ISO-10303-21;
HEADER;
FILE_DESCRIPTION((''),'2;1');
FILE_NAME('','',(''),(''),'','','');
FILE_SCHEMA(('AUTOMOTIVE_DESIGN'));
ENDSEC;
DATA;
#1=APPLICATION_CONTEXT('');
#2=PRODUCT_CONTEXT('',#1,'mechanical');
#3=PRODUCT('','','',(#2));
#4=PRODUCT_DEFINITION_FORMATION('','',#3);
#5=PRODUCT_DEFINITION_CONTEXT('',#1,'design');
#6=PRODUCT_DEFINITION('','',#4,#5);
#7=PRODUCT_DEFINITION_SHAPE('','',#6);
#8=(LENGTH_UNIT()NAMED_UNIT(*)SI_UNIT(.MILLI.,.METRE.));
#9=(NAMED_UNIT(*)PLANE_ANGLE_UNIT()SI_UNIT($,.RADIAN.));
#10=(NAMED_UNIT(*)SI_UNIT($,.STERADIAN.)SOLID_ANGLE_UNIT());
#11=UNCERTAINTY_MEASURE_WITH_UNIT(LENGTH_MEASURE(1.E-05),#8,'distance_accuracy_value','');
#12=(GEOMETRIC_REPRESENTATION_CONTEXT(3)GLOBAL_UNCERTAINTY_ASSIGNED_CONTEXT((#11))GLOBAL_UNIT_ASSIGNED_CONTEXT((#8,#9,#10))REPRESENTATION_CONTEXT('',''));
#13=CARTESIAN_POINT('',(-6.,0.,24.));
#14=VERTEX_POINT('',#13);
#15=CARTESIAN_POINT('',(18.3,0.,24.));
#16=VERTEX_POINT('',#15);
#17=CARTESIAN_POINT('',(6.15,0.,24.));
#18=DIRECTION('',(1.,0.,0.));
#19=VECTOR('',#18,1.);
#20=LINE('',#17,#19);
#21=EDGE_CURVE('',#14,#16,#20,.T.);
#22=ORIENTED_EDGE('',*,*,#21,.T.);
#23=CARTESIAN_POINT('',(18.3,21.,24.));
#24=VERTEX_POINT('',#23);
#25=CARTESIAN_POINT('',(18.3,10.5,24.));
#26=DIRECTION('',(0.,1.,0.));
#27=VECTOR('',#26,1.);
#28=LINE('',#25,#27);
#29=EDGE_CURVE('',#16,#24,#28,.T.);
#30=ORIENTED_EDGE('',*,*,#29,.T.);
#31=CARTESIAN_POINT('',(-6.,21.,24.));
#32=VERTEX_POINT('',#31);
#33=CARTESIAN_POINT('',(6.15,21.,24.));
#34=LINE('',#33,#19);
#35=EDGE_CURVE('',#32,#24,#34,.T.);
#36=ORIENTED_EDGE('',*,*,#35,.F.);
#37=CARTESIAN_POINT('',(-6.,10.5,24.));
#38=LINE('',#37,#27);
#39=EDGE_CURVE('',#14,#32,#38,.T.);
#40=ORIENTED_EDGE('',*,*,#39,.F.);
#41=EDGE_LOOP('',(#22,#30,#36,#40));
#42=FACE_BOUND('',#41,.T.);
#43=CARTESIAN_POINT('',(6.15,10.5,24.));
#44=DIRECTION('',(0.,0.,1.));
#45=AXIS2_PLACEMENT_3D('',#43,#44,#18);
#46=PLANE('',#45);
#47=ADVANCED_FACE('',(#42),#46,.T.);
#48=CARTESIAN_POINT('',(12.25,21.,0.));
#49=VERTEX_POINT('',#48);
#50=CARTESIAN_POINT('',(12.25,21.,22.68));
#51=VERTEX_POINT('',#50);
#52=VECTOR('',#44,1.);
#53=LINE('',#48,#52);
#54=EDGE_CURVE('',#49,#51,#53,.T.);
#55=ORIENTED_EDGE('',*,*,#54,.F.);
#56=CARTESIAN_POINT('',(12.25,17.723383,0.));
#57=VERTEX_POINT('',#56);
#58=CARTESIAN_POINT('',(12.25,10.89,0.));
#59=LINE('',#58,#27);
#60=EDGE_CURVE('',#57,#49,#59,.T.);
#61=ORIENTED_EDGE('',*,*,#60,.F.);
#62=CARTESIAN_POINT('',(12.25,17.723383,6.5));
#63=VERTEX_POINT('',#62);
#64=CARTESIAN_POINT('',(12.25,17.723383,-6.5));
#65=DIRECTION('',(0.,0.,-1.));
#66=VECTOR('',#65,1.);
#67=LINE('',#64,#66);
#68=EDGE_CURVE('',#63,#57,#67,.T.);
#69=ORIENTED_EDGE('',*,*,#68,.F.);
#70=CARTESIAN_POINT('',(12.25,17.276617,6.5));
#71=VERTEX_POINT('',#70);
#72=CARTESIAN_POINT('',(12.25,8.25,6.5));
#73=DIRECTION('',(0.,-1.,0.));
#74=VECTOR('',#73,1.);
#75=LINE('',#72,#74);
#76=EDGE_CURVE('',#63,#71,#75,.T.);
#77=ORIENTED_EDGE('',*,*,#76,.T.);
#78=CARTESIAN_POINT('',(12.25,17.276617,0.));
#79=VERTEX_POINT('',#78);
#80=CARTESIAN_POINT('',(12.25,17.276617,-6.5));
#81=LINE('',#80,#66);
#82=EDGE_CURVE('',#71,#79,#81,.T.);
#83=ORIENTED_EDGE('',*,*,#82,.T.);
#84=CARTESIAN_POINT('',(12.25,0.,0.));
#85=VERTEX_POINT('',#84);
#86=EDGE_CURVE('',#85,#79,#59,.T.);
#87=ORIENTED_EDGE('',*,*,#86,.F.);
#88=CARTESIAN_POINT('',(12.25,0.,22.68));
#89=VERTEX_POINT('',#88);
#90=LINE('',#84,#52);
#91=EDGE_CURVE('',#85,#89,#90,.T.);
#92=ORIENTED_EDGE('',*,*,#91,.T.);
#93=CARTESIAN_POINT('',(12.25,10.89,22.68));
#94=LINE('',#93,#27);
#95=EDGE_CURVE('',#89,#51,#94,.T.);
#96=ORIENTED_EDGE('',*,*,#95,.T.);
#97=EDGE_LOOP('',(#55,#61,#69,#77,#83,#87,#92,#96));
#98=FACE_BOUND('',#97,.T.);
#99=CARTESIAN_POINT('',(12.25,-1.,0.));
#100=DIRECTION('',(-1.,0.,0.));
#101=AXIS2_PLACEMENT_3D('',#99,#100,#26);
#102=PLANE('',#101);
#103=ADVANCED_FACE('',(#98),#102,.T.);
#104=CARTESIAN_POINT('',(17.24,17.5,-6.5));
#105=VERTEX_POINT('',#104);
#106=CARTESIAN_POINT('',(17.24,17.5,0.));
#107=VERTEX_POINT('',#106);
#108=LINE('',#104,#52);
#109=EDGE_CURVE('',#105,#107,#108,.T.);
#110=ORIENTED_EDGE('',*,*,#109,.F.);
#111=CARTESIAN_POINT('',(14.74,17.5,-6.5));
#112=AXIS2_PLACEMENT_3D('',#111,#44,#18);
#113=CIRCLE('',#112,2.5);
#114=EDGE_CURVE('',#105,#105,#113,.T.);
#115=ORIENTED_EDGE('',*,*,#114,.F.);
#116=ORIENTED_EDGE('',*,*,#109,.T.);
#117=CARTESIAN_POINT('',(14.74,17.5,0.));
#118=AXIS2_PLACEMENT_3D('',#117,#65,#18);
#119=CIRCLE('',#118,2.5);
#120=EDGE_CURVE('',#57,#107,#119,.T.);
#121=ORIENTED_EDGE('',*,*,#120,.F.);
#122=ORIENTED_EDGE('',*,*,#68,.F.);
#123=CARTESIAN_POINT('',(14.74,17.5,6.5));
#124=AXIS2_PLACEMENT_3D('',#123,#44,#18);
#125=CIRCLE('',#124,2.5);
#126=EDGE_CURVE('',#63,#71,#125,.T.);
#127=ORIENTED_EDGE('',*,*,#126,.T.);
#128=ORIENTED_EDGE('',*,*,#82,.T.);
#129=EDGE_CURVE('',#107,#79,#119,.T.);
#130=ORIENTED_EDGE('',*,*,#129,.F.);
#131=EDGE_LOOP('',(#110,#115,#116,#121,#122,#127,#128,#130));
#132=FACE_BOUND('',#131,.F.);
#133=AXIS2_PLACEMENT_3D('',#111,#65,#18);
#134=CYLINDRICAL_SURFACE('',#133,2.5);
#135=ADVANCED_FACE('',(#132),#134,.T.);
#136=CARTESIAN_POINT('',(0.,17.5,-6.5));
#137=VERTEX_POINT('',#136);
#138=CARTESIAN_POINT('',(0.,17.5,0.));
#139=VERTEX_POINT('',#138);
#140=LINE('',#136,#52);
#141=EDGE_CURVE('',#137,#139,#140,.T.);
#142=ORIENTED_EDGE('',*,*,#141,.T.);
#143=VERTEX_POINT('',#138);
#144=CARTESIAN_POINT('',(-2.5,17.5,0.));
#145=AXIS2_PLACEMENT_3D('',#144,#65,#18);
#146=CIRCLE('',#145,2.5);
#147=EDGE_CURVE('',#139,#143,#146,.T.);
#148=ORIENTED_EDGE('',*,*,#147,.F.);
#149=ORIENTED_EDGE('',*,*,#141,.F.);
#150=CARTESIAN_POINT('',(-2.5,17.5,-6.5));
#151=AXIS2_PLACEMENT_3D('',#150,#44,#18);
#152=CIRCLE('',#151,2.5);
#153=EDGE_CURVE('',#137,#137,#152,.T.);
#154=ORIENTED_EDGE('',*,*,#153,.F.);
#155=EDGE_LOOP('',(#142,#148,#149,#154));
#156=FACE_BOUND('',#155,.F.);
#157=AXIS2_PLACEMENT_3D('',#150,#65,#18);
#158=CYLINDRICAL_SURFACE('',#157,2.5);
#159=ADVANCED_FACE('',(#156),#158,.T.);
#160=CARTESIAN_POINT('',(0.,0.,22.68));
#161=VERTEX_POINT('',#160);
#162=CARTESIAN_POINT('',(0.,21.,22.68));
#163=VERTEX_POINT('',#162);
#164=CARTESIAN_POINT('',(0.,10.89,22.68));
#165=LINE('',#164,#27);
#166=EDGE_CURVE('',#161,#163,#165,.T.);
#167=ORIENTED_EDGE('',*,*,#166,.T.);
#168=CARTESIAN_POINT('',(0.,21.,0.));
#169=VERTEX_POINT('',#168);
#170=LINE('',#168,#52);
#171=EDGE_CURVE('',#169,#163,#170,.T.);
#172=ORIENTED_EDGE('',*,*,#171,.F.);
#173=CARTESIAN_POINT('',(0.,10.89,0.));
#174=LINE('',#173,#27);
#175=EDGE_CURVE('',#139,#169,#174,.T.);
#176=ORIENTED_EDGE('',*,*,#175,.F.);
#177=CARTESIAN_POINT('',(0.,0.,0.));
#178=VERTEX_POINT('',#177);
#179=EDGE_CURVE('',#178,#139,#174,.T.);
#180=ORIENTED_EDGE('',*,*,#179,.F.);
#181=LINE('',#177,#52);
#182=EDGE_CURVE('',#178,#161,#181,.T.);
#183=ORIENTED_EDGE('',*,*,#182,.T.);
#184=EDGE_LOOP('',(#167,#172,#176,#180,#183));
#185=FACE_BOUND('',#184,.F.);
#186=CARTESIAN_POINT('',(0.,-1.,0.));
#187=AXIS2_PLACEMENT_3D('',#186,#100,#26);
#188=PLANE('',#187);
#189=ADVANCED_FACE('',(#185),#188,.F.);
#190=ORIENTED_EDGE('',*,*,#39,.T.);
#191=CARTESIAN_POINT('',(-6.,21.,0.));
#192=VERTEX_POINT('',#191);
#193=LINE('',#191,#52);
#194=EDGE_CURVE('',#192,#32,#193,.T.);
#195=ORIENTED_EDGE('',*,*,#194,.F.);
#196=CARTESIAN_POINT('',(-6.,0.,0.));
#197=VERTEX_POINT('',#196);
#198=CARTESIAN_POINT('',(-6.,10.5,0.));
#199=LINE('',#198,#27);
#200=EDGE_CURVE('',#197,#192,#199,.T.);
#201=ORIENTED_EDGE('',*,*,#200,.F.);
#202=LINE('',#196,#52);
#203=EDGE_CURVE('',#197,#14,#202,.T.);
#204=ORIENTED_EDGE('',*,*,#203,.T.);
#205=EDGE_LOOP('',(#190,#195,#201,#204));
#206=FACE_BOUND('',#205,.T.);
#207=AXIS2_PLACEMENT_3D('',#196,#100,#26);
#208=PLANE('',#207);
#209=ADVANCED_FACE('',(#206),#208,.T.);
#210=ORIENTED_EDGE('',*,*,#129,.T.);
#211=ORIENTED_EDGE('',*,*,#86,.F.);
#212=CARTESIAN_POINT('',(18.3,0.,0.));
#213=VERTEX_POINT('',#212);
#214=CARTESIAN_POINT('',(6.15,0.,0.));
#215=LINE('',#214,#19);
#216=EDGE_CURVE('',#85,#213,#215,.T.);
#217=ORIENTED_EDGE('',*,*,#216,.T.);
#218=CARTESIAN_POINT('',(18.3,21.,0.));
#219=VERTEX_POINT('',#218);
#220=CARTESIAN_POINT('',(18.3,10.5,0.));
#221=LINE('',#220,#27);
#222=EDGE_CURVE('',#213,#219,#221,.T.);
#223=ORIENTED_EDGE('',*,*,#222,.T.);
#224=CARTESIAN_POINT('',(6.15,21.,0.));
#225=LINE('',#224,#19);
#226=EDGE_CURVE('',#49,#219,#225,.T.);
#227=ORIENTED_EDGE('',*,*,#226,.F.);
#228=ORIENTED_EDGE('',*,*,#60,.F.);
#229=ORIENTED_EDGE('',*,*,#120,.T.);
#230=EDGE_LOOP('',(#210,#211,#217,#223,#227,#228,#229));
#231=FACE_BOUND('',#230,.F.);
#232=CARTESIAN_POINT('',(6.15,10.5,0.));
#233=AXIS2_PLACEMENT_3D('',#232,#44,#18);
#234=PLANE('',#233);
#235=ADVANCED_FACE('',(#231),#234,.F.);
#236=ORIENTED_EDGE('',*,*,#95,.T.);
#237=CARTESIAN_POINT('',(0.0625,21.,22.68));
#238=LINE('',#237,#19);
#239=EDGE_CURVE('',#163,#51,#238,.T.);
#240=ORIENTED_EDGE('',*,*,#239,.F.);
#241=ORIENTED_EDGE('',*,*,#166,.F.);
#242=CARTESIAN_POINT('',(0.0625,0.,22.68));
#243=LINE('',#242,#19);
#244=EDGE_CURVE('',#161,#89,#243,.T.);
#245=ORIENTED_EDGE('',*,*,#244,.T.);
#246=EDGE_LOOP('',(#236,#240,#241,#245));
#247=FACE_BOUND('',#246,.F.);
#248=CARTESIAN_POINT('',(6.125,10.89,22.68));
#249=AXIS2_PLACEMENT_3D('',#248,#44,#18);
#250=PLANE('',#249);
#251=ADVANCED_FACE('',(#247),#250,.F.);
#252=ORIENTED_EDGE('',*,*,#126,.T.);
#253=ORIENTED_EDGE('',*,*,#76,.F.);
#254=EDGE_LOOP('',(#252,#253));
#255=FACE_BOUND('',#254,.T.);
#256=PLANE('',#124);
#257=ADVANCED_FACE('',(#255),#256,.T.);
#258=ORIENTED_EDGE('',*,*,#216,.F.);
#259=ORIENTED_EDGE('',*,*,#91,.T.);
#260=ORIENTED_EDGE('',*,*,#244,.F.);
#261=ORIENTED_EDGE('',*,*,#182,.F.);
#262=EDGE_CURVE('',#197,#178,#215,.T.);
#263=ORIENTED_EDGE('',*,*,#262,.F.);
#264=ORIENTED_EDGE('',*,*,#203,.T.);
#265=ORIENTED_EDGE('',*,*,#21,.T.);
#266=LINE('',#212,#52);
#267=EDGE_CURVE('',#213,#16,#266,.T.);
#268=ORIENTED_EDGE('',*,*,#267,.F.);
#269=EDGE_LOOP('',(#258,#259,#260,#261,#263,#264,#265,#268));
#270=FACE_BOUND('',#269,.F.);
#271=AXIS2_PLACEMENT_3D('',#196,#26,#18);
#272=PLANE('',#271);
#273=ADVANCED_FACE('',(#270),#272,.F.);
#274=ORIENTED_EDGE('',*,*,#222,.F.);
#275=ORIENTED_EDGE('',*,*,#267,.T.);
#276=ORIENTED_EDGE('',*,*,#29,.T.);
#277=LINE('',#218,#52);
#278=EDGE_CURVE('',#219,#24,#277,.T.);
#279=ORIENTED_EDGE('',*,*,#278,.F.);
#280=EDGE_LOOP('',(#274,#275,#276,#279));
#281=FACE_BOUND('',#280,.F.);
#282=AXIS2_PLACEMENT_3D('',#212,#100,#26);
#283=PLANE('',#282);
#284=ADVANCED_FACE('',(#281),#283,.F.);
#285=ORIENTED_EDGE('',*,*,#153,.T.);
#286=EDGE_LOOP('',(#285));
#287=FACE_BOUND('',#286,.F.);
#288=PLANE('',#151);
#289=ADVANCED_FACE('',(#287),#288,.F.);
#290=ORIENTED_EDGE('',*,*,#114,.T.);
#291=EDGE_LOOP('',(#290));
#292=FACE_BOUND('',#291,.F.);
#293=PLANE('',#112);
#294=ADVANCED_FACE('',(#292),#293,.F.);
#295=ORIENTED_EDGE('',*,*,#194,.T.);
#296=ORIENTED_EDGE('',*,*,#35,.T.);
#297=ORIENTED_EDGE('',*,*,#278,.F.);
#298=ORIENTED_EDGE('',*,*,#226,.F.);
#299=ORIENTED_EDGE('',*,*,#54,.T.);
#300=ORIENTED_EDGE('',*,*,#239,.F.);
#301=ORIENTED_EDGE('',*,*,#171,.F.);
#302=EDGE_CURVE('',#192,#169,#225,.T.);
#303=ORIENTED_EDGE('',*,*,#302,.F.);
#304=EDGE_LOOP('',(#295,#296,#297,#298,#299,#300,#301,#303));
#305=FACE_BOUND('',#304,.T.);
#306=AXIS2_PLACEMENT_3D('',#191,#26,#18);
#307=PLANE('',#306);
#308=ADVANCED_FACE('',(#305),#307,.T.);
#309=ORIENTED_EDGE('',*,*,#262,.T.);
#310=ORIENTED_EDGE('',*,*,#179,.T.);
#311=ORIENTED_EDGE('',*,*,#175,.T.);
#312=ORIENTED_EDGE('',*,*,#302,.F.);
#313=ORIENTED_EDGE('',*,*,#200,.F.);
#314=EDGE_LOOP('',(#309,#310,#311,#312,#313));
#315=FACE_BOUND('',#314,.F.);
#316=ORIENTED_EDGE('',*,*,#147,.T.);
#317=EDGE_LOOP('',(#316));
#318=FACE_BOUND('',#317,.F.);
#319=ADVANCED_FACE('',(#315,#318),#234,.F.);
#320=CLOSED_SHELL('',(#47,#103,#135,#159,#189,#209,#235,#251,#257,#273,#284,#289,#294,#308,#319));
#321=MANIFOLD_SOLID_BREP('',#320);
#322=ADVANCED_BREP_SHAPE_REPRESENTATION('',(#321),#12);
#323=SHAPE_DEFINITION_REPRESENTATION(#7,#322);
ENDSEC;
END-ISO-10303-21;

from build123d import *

# Parameters (mm, degrees)
CYLINDER001_R     = 2.5
CYLINDER001_DEPTH = 13
BOX_W             = 12.25
BOX_H             = 23.78
BOX_DEPTH         = 22.68
BOX002_W          = 24.3
BOX002_H          = 21
BOX002_DEPTH      = 24
CYLINDER_R        = 2.5
CYLINDER_DEPTH    = 13


with BuildPart() as cylinder001:
    # Cylinder001 → Cylinder001 (new body)
    with BuildSketch(Plane(origin=(14.74, 17.5, -6.5), x_dir=(1, 0, 0), z_dir=(0, 0, 1))):
        Circle(CYLINDER001_R)
    extrude(amount=CYLINDER001_DEPTH)


with BuildPart() as servo:
    # Box → Box (new body)
    with BuildSketch(Plane(origin=(0, -1, 0), x_dir=(1, 0, 0), z_dir=(0, 0, 1))):
        with Locations((6.125, 11.89)):
            Rectangle(BOX_W, BOX_H)
    extrude(amount=BOX_DEPTH)


with BuildPart() as cut:
    # Box002 → Box002 (new body)
    with BuildSketch(Plane(origin=(-6, 0, 0), x_dir=(1, 0, 0), z_dir=(0, 0, 1))):
        with Locations((12.15, 10.5)):
            Rectangle(BOX002_W, BOX002_H)
    extrude(amount=BOX002_DEPTH)

    # Cut: cut servo
    add(servo.part, mode=Mode.SUBTRACT)


with BuildPart() as fusion:
    # Cylinder → Cylinder (new body)
    with BuildSketch(Plane(origin=(-2.5, 17.5, -6.5), x_dir=(1, 0, 0), z_dir=(0, 0, 1))):
        Circle(CYLINDER_R)
    extrude(amount=CYLINDER_DEPTH)

    # Fusion: union Cylinder001, Cut
    add(cylinder001.part)
    add(cut.part)


solid = fusion.part
